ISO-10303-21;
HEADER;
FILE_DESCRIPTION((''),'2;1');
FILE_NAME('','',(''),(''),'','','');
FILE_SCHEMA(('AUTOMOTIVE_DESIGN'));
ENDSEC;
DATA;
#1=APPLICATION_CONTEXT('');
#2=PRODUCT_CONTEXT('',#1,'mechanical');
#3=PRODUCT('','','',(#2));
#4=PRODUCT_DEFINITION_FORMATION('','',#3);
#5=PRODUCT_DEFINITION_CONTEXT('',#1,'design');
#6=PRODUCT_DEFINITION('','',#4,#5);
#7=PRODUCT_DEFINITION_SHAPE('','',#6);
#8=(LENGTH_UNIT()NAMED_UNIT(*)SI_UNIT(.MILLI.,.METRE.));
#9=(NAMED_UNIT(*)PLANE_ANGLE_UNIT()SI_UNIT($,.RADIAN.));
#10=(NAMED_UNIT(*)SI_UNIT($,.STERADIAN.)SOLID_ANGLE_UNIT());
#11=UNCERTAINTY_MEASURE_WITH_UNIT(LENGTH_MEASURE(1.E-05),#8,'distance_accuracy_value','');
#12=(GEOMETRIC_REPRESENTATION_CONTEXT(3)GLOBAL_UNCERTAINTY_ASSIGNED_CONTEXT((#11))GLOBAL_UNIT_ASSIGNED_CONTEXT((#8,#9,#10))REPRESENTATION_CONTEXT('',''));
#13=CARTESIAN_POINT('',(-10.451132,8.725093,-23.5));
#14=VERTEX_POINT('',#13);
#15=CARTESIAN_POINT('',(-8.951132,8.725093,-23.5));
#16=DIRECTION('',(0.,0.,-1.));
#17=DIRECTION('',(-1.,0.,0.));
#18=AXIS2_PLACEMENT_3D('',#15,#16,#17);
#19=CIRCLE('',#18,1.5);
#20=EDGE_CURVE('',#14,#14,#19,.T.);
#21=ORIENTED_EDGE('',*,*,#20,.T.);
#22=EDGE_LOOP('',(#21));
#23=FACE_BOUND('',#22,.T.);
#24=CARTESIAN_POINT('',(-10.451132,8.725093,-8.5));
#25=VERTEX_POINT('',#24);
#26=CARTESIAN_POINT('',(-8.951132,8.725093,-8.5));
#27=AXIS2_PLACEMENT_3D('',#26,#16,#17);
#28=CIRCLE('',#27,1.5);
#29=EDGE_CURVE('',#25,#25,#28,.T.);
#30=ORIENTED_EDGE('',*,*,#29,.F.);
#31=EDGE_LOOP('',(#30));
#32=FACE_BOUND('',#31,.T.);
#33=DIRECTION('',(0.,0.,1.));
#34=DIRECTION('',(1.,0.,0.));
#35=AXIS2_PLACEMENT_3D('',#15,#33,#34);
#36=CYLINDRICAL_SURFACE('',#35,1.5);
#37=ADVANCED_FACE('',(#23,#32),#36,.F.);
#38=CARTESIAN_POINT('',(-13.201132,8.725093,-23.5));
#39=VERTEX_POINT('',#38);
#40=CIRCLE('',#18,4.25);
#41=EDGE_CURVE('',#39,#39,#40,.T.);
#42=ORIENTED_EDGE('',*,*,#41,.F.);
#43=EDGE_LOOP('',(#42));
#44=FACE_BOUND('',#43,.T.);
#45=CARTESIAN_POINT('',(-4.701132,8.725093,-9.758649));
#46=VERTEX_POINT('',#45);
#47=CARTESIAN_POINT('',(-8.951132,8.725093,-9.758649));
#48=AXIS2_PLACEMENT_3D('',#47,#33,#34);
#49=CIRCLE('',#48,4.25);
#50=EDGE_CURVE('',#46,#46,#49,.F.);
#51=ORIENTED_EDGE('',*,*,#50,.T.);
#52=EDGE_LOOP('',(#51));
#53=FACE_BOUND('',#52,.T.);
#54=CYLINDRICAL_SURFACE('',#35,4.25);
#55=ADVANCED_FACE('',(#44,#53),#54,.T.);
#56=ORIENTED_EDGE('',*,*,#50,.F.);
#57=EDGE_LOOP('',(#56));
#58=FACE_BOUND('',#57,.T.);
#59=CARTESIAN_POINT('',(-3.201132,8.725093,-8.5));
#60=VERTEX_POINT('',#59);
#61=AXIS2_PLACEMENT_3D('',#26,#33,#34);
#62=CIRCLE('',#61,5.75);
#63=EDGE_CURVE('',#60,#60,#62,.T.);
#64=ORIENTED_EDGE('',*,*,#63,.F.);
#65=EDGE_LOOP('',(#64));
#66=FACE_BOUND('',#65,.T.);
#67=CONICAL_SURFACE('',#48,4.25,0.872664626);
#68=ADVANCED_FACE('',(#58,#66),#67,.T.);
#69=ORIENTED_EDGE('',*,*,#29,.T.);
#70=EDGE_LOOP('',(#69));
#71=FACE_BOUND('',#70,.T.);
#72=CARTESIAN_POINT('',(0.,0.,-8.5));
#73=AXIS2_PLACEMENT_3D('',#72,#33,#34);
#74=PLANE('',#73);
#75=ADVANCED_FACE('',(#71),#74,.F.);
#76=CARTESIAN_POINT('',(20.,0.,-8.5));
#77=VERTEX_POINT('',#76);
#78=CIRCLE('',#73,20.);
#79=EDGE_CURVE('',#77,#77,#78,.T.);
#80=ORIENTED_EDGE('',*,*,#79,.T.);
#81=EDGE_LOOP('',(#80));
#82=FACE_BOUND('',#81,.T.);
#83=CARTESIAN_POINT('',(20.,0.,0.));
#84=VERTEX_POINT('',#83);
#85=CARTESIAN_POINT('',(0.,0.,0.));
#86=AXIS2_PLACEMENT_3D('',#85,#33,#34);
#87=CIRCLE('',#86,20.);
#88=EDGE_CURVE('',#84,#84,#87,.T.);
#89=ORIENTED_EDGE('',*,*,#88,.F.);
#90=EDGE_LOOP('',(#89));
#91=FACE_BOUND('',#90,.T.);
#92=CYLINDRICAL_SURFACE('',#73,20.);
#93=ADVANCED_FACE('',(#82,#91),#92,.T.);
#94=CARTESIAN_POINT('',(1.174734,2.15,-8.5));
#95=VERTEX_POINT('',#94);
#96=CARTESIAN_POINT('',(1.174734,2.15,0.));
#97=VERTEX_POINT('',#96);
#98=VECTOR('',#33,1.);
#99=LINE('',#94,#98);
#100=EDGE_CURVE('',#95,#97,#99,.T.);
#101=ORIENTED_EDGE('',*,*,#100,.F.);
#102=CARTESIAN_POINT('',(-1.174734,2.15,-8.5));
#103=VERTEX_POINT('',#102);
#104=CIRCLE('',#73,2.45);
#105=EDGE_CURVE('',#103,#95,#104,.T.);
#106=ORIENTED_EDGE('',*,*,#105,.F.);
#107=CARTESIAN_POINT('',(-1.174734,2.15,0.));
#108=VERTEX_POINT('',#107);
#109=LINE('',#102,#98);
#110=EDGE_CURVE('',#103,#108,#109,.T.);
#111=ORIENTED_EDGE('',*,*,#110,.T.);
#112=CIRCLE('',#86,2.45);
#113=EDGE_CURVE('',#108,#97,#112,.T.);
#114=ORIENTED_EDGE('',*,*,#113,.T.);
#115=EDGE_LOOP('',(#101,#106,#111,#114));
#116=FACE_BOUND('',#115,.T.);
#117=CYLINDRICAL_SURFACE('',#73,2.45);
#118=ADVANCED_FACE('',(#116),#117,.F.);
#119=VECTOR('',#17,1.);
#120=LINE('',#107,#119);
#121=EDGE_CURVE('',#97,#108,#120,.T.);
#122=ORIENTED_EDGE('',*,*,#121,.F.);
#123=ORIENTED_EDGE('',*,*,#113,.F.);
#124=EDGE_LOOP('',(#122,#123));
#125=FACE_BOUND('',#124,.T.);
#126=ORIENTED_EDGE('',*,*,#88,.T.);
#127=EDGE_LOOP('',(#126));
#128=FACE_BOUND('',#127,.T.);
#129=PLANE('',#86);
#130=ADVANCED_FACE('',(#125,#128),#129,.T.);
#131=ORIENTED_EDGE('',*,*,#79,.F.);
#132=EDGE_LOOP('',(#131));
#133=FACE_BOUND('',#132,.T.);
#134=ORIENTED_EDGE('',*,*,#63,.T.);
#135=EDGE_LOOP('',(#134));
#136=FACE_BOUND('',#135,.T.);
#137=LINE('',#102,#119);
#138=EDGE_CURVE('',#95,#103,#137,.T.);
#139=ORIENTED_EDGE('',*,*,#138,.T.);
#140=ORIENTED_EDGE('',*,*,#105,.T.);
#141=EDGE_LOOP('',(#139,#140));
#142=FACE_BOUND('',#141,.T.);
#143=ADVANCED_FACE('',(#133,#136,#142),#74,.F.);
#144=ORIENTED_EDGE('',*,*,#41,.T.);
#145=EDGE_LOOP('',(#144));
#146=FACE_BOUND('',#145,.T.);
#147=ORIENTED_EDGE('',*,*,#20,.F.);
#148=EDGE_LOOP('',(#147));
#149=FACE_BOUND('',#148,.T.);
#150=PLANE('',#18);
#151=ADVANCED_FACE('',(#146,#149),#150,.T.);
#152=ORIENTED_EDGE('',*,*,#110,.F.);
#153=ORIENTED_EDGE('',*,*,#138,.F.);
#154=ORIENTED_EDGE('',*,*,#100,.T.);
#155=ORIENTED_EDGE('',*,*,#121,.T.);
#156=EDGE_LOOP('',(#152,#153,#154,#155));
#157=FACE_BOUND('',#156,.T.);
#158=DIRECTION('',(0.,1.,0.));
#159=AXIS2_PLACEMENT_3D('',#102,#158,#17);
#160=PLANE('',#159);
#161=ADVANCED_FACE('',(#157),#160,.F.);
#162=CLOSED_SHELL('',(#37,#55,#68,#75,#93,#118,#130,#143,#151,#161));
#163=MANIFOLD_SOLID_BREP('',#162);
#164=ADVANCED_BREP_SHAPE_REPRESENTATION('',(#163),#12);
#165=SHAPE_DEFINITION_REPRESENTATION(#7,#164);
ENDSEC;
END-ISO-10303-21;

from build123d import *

# Parameters (mm, degrees)
CROQUIS1_R              = 20
SALIENTE_EXTRUIR1_DEPTH = 8.5
CROQUIS2_R              = 4.25
CROQUIS2_R_2            = 1.5
SALIENTE_EXTRUIR2_DEPTH = 15
CHAFL_N1_SIZE           = 1.5
CHAFL_N1_SIZE2          = 1.258649447


with BuildPart() as part:
    # Croquis1 → Saliente-Extruir1 (new body)
    with BuildSketch(Plane.XY):
        Circle(CROQUIS1_R)
        with BuildLine():
            Line((-1.174734012, 2.15), (1.174734012, 2.15))
            ThreePointArc((1.174734012, 2.15), (0, -2.45), (-1.174734012, 2.15))
        make_face(mode=Mode.SUBTRACT)
    extrude(amount=-SALIENTE_EXTRUIR1_DEPTH)

    # Croquis2 → Saliente-Extruir2 (add)
    with BuildSketch(Plane(origin=(0, 0, -8.5), x_dir=(-1, 0, 0), z_dir=(0, 0, -1))):
        with Locations((8.951131501, 8.725092827)):
            Circle(CROQUIS2_R)
        with Locations((8.951131501, 8.725092827)):
            Circle(CROQUIS2_R_2, mode=Mode.SUBTRACT)
    extrude(amount=SALIENTE_EXTRUIR2_DEPTH)

    # Chaflán1
    chafl_n1_edges = [part.edges().sort_by_distance(p)[0] for p in [
        (-4.701131501, 8.725092827, -8.5),
    ]]
    chafl_n1_side = [part.faces().sort_by_distance(p)[0] for p in [
        (-19.434314575, 0, -8.5),
    ]]
    chamfer(chafl_n1_edges, length=CHAFL_N1_SIZE, length2=CHAFL_N1_SIZE2, reference=chafl_n1_side[0])


solid = part.part
